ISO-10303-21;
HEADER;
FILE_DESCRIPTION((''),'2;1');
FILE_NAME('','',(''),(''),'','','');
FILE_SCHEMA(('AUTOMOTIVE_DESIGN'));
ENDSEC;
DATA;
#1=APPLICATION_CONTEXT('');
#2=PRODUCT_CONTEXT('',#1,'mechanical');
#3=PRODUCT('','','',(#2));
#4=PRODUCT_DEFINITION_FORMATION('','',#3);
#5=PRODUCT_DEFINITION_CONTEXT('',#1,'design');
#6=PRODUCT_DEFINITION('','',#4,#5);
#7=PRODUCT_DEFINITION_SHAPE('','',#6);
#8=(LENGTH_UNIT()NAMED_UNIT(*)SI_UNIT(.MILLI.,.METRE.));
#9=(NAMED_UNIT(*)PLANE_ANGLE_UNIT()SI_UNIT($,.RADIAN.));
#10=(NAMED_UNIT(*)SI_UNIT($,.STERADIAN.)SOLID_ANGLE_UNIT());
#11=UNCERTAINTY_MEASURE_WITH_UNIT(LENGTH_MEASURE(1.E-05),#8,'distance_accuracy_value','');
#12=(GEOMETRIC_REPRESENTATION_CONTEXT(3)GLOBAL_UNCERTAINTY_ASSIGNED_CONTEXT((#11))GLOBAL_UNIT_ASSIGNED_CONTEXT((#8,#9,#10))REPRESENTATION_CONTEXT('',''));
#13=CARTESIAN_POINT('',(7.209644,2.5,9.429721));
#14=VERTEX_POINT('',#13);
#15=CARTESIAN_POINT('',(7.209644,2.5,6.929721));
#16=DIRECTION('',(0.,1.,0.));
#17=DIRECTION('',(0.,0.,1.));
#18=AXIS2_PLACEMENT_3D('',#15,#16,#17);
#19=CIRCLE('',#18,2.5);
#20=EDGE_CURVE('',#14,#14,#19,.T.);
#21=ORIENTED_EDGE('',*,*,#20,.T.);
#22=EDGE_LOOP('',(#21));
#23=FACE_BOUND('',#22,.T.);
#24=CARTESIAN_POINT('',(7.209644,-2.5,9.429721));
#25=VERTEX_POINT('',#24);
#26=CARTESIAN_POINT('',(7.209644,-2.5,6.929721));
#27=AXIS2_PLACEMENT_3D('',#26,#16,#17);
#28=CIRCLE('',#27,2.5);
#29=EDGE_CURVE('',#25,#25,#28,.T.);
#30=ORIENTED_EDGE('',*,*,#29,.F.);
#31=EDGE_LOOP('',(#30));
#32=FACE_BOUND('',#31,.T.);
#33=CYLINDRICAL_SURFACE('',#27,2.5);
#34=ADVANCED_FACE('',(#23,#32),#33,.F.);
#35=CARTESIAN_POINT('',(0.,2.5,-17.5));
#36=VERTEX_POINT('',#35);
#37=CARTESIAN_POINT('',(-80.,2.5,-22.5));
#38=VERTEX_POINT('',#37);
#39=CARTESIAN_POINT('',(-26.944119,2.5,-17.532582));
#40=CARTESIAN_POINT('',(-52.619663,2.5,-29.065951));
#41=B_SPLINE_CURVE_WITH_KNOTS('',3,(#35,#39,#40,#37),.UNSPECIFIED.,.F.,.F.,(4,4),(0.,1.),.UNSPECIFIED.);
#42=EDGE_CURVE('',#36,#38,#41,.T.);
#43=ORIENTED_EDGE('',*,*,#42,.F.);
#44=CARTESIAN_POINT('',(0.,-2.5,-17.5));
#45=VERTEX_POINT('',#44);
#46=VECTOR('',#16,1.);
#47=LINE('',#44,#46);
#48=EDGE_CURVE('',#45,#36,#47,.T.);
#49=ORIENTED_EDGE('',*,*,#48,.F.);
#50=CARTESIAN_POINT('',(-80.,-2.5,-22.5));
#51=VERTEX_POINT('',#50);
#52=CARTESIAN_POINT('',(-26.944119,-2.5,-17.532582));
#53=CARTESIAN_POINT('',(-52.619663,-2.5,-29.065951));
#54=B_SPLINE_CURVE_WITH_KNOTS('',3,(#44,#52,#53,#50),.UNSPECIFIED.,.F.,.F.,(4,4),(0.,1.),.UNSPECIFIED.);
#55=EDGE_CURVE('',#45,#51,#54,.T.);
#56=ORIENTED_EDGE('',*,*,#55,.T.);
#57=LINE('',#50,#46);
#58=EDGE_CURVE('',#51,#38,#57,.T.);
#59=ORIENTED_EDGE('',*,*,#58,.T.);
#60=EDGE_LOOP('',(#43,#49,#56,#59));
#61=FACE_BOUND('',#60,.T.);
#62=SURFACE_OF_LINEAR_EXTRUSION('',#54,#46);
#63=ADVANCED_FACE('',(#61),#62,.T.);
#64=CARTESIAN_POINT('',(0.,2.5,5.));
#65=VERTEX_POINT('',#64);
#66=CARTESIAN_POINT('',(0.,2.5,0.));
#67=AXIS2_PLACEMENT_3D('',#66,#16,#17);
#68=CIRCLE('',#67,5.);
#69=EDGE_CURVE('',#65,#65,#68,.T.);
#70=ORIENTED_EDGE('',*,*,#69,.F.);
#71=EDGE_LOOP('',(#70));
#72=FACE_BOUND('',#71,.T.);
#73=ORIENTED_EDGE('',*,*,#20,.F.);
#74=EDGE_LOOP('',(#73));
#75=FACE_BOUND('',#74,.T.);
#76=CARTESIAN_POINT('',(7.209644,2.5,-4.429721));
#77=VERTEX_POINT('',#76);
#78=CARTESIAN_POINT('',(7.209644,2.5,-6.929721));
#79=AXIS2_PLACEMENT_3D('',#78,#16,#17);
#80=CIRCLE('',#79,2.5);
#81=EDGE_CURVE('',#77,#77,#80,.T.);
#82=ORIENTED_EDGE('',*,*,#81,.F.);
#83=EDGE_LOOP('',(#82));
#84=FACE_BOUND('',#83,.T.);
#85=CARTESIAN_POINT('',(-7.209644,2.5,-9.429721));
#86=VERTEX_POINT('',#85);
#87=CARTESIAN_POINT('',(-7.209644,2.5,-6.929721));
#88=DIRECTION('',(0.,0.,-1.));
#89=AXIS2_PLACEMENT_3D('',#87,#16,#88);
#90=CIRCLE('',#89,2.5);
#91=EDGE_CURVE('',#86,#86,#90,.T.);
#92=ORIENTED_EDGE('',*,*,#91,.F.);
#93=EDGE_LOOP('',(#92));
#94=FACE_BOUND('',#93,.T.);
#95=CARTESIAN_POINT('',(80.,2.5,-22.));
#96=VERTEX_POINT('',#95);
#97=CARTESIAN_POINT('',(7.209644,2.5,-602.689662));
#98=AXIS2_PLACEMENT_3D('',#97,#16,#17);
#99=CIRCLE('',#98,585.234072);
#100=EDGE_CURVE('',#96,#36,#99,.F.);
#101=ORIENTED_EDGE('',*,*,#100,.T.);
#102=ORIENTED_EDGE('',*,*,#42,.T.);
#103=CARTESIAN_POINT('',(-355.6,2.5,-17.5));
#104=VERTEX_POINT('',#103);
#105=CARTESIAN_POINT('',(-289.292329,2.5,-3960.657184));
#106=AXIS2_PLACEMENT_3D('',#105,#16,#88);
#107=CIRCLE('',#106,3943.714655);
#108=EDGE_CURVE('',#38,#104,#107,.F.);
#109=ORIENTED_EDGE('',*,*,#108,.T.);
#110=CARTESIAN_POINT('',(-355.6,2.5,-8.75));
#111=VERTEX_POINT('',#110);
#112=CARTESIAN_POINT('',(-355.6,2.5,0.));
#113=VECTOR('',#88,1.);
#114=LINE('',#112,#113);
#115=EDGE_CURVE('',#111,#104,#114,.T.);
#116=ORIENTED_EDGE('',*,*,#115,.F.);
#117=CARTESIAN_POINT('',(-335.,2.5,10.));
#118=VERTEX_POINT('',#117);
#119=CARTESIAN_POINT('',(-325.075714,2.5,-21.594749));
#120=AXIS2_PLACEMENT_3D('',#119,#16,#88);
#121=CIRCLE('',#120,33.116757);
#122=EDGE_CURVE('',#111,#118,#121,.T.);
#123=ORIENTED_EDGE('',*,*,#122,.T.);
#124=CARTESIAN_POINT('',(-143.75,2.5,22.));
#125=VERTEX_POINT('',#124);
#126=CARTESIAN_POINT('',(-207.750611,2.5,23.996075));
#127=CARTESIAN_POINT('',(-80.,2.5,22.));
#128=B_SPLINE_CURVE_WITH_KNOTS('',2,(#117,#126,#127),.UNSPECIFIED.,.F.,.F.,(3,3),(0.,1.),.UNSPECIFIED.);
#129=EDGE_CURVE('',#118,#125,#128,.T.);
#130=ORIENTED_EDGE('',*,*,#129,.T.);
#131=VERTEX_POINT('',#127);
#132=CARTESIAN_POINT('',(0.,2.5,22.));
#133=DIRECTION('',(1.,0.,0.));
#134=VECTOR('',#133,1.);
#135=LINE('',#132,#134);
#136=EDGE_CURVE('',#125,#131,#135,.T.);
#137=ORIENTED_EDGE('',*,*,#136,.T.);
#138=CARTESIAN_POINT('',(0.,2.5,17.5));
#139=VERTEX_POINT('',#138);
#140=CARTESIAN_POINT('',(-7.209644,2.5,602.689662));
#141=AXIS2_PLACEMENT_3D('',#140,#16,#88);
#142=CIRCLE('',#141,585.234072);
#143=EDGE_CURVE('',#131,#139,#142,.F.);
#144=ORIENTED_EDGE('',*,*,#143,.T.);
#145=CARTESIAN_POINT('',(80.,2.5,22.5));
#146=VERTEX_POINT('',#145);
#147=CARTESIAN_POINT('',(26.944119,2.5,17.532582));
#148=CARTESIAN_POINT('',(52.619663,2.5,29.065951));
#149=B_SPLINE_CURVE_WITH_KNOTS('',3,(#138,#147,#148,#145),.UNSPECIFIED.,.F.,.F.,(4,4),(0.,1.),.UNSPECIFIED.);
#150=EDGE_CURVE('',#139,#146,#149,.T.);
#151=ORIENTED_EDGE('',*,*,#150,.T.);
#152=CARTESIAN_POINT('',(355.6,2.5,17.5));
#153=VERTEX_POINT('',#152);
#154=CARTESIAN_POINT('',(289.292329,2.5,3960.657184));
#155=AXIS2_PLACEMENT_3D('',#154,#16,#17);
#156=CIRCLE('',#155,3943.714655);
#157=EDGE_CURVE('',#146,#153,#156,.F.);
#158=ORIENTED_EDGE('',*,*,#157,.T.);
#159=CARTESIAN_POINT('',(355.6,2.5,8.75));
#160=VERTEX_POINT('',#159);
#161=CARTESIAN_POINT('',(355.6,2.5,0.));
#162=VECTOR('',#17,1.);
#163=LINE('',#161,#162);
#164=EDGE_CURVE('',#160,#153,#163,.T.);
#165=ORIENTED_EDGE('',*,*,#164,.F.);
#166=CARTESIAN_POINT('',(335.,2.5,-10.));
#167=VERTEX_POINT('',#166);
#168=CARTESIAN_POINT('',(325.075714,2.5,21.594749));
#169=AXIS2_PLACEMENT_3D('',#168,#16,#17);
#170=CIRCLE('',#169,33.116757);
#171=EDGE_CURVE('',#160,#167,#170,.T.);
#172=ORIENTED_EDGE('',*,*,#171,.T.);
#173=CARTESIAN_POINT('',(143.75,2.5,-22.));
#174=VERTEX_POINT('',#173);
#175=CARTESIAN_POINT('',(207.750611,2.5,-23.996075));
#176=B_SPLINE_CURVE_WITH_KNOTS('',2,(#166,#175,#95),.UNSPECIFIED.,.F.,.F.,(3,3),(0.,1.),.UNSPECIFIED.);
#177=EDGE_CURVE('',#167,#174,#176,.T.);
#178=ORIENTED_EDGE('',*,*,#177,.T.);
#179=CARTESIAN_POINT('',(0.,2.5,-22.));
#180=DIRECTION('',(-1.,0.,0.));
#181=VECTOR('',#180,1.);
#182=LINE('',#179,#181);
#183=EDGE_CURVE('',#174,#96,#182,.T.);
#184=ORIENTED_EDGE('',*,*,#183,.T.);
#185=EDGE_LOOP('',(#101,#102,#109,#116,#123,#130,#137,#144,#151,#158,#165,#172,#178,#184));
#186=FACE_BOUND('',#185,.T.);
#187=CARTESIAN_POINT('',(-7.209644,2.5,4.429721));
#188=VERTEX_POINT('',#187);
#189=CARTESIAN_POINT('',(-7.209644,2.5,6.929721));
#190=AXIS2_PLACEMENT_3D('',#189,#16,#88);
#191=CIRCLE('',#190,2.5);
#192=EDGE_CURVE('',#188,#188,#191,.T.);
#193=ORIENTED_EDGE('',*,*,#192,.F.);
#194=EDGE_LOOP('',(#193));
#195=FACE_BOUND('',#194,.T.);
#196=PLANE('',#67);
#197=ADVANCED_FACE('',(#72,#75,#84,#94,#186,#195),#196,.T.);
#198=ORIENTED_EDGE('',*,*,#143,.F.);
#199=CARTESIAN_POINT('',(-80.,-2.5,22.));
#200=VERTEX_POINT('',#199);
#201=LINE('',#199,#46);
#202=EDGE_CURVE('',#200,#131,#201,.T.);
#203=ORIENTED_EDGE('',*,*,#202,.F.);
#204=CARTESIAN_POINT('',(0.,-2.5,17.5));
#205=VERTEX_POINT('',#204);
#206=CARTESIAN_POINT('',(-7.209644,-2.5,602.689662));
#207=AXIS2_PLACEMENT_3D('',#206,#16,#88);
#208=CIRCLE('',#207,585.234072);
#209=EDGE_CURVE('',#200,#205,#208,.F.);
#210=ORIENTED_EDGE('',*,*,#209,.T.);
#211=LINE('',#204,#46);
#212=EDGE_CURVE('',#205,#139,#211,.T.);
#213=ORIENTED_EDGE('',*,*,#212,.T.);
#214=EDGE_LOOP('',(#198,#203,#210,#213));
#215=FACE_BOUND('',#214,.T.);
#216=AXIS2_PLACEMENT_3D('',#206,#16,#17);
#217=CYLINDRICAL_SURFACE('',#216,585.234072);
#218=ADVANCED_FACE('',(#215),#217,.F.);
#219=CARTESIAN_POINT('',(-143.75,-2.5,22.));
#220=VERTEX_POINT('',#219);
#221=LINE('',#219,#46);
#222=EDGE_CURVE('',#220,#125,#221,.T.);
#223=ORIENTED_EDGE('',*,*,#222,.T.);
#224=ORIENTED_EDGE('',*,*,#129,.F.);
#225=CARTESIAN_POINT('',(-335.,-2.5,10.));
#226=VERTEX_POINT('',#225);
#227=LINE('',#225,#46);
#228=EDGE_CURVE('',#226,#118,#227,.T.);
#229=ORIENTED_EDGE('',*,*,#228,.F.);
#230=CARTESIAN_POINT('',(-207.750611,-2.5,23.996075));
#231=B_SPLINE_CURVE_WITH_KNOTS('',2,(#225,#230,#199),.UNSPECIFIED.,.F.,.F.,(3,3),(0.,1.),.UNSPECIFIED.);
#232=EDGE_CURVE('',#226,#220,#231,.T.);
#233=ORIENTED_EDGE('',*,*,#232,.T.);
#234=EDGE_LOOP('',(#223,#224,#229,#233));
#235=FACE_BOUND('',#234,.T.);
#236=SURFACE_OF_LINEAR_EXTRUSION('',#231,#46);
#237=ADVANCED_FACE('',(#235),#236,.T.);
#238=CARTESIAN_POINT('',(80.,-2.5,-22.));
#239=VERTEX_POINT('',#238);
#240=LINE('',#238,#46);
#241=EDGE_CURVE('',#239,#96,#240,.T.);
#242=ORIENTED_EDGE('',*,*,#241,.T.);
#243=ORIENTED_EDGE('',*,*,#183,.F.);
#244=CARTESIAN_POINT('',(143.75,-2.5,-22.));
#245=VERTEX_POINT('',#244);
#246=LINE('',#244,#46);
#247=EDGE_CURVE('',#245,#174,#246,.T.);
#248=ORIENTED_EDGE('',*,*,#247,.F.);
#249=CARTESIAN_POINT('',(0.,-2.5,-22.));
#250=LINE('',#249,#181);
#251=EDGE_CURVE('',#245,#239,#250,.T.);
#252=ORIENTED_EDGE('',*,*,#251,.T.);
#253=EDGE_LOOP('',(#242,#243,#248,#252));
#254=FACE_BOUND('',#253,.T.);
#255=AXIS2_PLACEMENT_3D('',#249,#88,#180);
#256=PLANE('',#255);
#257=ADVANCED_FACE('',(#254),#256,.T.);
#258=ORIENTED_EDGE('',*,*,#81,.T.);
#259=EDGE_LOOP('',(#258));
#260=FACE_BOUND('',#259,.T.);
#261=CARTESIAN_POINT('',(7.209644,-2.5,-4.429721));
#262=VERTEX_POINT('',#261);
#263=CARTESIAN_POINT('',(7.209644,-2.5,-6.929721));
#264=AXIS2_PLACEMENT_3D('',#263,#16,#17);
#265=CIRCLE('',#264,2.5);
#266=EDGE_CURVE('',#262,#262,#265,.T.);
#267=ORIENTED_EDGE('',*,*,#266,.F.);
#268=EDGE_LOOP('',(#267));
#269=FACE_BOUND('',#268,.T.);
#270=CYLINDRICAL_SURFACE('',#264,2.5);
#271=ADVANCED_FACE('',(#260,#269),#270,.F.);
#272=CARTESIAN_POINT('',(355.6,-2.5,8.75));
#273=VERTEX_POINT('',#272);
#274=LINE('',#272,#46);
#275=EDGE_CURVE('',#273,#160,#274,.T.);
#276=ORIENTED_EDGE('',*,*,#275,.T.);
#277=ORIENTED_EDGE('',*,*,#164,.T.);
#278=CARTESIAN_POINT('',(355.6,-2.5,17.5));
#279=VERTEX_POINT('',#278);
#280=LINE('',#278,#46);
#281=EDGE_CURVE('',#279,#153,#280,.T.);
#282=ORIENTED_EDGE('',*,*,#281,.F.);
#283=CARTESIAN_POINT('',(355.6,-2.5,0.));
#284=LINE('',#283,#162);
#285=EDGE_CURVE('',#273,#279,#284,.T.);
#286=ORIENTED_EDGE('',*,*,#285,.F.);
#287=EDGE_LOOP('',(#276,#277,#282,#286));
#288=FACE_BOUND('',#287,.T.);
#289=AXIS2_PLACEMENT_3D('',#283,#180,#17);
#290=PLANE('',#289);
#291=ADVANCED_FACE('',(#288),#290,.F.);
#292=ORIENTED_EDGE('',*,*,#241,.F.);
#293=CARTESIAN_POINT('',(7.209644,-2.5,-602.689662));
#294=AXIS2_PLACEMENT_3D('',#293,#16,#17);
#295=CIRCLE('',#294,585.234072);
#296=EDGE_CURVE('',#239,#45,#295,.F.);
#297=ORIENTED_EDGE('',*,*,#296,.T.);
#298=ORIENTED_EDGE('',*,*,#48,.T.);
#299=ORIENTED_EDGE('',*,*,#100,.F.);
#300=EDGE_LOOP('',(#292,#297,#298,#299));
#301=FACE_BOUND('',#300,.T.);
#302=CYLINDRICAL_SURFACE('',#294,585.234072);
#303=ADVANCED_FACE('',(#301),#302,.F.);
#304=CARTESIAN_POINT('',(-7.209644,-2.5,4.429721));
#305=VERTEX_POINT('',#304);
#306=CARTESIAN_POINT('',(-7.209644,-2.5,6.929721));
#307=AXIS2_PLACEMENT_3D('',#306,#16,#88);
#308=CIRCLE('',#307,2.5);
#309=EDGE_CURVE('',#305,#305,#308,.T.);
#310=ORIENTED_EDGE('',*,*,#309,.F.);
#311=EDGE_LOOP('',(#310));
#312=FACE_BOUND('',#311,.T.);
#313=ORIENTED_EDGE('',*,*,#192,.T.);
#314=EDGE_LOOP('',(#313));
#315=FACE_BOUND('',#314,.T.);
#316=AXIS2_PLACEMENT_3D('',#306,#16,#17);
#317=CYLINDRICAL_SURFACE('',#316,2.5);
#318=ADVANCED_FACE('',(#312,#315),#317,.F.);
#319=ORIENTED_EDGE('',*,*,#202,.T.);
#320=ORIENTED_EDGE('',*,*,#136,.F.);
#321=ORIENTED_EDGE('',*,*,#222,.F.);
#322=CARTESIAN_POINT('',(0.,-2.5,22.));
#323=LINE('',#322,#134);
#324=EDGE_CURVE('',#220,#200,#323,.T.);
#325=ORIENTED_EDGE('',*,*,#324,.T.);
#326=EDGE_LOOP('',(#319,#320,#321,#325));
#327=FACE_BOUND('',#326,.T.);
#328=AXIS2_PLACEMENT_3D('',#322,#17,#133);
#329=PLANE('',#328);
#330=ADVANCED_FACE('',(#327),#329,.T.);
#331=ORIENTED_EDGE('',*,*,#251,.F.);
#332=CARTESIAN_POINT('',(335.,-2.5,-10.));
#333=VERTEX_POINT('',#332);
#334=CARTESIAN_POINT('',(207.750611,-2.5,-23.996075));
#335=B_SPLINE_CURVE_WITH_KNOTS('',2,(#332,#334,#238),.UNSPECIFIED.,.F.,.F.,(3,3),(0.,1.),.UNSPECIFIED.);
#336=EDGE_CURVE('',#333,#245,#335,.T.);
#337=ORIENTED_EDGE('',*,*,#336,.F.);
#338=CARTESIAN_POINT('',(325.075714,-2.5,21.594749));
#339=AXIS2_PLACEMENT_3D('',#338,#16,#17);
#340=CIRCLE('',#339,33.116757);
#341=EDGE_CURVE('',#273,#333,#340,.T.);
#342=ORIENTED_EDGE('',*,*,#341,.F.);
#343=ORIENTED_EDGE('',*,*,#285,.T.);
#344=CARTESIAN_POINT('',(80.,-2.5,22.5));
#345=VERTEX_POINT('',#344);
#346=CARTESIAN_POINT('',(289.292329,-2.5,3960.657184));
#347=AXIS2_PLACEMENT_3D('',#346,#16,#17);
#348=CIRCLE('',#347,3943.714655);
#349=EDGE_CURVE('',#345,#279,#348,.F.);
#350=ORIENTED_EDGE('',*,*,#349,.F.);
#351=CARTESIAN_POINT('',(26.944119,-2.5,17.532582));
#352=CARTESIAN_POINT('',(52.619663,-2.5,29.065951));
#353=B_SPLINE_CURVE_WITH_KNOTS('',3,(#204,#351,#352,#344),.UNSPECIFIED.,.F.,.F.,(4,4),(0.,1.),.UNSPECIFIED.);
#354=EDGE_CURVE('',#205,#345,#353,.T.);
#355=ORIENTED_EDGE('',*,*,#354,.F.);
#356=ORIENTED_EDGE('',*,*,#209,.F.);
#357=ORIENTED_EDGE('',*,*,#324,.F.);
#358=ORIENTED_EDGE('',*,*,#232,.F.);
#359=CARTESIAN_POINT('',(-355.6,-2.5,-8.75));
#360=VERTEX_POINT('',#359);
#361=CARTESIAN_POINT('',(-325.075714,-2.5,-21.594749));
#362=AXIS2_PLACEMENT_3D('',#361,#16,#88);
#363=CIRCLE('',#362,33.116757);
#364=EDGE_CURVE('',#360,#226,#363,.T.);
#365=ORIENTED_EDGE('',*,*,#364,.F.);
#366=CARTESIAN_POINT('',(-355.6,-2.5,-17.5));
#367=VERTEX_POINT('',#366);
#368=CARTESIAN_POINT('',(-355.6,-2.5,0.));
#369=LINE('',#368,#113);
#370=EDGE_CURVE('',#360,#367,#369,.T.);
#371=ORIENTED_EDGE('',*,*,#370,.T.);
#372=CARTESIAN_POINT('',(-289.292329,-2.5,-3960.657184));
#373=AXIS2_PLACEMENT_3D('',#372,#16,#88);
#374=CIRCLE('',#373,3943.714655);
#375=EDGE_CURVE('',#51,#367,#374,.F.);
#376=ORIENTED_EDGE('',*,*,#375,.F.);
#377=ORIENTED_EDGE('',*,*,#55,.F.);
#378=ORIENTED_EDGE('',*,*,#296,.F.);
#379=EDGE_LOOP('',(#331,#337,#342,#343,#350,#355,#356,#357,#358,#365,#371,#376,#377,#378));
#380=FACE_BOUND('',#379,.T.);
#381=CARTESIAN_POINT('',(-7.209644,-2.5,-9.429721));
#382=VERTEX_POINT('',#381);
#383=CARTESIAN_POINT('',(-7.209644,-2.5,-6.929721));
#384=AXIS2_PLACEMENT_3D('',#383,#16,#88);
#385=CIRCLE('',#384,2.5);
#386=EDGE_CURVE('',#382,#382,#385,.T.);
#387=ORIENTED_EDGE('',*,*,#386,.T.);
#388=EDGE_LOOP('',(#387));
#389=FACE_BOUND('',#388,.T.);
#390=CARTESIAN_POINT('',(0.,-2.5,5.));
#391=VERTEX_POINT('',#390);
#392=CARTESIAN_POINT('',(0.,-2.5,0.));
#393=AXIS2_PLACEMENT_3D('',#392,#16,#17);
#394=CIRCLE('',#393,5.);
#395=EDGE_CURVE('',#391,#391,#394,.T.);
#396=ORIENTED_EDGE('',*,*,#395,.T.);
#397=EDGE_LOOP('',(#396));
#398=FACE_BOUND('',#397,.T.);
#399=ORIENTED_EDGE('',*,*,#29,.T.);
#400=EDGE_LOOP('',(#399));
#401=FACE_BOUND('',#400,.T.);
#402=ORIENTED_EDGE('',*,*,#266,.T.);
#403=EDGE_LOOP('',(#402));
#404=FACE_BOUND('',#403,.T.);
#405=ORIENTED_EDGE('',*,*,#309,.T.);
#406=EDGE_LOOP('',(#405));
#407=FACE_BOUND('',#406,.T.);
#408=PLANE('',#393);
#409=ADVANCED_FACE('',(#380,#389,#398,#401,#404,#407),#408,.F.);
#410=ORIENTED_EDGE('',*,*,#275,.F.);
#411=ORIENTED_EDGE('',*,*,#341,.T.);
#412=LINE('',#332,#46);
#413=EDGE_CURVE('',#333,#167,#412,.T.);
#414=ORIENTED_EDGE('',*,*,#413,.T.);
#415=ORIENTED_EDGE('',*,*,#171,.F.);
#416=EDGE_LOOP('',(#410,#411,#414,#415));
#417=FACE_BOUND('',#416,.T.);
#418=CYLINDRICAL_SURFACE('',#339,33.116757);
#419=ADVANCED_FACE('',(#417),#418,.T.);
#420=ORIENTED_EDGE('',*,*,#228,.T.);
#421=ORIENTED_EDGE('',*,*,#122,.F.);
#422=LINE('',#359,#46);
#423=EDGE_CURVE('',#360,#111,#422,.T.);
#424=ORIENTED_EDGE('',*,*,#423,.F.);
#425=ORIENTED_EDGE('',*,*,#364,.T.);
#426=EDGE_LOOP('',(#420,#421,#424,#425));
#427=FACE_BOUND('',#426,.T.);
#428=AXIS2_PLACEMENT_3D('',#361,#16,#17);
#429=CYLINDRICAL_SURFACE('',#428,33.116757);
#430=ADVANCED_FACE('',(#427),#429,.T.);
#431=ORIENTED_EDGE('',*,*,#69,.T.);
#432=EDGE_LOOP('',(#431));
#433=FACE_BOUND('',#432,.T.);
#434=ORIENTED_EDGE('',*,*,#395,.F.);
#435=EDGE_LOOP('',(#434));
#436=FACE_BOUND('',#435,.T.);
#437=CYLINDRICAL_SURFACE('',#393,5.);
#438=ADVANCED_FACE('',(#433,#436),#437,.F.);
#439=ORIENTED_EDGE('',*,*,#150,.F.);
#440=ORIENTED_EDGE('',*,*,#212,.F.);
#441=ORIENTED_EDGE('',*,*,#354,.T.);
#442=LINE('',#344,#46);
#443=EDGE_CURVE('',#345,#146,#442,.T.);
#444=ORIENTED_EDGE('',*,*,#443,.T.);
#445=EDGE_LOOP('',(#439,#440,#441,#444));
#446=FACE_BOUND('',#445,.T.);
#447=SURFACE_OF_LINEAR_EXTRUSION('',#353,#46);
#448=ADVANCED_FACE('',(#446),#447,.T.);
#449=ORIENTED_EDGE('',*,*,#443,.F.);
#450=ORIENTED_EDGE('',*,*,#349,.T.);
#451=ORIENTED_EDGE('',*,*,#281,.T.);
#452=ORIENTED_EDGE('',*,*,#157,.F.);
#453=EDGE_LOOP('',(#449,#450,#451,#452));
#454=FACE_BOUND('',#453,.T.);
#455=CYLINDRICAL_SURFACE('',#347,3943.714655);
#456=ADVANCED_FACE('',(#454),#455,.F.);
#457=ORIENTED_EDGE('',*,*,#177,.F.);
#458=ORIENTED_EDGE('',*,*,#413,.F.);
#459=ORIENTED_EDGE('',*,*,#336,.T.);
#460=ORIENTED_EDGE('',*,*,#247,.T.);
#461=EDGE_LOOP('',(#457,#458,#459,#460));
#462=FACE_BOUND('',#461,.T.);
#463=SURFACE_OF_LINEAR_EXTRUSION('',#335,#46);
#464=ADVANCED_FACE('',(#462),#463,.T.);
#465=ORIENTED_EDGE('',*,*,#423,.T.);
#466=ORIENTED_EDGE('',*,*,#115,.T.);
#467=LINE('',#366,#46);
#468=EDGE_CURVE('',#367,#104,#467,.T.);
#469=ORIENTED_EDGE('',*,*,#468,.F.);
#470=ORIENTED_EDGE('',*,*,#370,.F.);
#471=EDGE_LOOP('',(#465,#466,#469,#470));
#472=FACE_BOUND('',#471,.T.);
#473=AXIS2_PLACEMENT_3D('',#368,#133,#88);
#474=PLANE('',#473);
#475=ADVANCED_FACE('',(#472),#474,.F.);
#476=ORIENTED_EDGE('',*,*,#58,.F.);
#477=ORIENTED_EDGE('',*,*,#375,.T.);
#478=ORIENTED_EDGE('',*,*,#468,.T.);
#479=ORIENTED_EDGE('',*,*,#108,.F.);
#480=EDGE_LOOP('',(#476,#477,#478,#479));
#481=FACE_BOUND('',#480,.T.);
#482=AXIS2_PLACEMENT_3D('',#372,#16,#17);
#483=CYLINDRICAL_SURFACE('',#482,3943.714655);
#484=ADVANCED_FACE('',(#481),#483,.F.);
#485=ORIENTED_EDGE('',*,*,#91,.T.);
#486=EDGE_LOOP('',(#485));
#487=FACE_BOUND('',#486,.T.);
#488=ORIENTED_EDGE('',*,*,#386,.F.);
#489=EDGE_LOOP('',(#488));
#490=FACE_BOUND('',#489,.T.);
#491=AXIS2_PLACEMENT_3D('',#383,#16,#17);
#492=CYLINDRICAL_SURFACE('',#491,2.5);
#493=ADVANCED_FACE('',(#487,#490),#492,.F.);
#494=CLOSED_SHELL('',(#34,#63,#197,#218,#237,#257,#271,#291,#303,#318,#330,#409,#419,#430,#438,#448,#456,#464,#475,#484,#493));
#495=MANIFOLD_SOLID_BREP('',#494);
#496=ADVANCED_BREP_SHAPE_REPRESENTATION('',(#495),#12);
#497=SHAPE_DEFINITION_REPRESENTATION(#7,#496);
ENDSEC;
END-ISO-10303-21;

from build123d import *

# Parameters (mm, degrees)
SKETCH1_R           = 2.5
BOSS_EXTRUDE1_DEPTH = 2.5
CIRPATTERN1_COUNT   = 2


with BuildPart() as part:
    # Sketch1 → Boss-Extrude1 (new, symmetric)
    with BuildSketch(Plane(origin=(0, 0, 0), x_dir=(1, 0, 0), z_dir=(0, 1, 0))):
        with BuildLine():
            ThreePointArc((0, 5), (5, 0), (0, -5))
            Line((0, -5), (0, -17.5))
            add(Edge.make_bspline(
                [(0, -17.5), (26.944118738, -17.53258197), (52.619662803, -29.065950844), (80, -22.5)],
                knots=[0, 0, 0, 0, 1, 1, 1, 1], degree=3))
            ThreePointArc((80, -22.5), (217.756302371, -17.591386703), (355.6, -17.5))
            Line((355.6, -17.5), (355.6, -8.75))
            ThreePointArc((355.6, -8.75), (347.367245335, 2.896213541), (335, 10))
            add(Edge.make_bspline(
                [(335, 10), (239.516107029, 20.502209099), (143.75, 22)],
                knots=[0, 0, 0, 0.750368183, 0.750368183, 0.750368183], degree=2))
            Line((143.75, 22), (80, 22))
            ThreePointArc((80, 22), (40.077104301, 18.379256879), (0, 17.5))
            Line((0, 17.5), (0, 5))
        make_face()
        with Locations((7.209644007, 6.929721011)):
            Circle(SKETCH1_R, mode=Mode.SUBTRACT)
        with Locations((7.209644007, -6.929721011)):
            Circle(SKETCH1_R, mode=Mode.SUBTRACT)
    boss_extrude1 = extrude(amount=BOSS_EXTRUDE1_DEPTH, both=True)

    # CirPattern1: Boss-Extrude1 ×2 about axis
    cirpattern1_axis = Axis((0, -2.5, 0), (0, 1, 0))
    for i in range(1, CIRPATTERN1_COUNT):
        add(boss_extrude1.rotate(cirpattern1_axis, i * 360 / CIRPATTERN1_COUNT))


solid = part.part
